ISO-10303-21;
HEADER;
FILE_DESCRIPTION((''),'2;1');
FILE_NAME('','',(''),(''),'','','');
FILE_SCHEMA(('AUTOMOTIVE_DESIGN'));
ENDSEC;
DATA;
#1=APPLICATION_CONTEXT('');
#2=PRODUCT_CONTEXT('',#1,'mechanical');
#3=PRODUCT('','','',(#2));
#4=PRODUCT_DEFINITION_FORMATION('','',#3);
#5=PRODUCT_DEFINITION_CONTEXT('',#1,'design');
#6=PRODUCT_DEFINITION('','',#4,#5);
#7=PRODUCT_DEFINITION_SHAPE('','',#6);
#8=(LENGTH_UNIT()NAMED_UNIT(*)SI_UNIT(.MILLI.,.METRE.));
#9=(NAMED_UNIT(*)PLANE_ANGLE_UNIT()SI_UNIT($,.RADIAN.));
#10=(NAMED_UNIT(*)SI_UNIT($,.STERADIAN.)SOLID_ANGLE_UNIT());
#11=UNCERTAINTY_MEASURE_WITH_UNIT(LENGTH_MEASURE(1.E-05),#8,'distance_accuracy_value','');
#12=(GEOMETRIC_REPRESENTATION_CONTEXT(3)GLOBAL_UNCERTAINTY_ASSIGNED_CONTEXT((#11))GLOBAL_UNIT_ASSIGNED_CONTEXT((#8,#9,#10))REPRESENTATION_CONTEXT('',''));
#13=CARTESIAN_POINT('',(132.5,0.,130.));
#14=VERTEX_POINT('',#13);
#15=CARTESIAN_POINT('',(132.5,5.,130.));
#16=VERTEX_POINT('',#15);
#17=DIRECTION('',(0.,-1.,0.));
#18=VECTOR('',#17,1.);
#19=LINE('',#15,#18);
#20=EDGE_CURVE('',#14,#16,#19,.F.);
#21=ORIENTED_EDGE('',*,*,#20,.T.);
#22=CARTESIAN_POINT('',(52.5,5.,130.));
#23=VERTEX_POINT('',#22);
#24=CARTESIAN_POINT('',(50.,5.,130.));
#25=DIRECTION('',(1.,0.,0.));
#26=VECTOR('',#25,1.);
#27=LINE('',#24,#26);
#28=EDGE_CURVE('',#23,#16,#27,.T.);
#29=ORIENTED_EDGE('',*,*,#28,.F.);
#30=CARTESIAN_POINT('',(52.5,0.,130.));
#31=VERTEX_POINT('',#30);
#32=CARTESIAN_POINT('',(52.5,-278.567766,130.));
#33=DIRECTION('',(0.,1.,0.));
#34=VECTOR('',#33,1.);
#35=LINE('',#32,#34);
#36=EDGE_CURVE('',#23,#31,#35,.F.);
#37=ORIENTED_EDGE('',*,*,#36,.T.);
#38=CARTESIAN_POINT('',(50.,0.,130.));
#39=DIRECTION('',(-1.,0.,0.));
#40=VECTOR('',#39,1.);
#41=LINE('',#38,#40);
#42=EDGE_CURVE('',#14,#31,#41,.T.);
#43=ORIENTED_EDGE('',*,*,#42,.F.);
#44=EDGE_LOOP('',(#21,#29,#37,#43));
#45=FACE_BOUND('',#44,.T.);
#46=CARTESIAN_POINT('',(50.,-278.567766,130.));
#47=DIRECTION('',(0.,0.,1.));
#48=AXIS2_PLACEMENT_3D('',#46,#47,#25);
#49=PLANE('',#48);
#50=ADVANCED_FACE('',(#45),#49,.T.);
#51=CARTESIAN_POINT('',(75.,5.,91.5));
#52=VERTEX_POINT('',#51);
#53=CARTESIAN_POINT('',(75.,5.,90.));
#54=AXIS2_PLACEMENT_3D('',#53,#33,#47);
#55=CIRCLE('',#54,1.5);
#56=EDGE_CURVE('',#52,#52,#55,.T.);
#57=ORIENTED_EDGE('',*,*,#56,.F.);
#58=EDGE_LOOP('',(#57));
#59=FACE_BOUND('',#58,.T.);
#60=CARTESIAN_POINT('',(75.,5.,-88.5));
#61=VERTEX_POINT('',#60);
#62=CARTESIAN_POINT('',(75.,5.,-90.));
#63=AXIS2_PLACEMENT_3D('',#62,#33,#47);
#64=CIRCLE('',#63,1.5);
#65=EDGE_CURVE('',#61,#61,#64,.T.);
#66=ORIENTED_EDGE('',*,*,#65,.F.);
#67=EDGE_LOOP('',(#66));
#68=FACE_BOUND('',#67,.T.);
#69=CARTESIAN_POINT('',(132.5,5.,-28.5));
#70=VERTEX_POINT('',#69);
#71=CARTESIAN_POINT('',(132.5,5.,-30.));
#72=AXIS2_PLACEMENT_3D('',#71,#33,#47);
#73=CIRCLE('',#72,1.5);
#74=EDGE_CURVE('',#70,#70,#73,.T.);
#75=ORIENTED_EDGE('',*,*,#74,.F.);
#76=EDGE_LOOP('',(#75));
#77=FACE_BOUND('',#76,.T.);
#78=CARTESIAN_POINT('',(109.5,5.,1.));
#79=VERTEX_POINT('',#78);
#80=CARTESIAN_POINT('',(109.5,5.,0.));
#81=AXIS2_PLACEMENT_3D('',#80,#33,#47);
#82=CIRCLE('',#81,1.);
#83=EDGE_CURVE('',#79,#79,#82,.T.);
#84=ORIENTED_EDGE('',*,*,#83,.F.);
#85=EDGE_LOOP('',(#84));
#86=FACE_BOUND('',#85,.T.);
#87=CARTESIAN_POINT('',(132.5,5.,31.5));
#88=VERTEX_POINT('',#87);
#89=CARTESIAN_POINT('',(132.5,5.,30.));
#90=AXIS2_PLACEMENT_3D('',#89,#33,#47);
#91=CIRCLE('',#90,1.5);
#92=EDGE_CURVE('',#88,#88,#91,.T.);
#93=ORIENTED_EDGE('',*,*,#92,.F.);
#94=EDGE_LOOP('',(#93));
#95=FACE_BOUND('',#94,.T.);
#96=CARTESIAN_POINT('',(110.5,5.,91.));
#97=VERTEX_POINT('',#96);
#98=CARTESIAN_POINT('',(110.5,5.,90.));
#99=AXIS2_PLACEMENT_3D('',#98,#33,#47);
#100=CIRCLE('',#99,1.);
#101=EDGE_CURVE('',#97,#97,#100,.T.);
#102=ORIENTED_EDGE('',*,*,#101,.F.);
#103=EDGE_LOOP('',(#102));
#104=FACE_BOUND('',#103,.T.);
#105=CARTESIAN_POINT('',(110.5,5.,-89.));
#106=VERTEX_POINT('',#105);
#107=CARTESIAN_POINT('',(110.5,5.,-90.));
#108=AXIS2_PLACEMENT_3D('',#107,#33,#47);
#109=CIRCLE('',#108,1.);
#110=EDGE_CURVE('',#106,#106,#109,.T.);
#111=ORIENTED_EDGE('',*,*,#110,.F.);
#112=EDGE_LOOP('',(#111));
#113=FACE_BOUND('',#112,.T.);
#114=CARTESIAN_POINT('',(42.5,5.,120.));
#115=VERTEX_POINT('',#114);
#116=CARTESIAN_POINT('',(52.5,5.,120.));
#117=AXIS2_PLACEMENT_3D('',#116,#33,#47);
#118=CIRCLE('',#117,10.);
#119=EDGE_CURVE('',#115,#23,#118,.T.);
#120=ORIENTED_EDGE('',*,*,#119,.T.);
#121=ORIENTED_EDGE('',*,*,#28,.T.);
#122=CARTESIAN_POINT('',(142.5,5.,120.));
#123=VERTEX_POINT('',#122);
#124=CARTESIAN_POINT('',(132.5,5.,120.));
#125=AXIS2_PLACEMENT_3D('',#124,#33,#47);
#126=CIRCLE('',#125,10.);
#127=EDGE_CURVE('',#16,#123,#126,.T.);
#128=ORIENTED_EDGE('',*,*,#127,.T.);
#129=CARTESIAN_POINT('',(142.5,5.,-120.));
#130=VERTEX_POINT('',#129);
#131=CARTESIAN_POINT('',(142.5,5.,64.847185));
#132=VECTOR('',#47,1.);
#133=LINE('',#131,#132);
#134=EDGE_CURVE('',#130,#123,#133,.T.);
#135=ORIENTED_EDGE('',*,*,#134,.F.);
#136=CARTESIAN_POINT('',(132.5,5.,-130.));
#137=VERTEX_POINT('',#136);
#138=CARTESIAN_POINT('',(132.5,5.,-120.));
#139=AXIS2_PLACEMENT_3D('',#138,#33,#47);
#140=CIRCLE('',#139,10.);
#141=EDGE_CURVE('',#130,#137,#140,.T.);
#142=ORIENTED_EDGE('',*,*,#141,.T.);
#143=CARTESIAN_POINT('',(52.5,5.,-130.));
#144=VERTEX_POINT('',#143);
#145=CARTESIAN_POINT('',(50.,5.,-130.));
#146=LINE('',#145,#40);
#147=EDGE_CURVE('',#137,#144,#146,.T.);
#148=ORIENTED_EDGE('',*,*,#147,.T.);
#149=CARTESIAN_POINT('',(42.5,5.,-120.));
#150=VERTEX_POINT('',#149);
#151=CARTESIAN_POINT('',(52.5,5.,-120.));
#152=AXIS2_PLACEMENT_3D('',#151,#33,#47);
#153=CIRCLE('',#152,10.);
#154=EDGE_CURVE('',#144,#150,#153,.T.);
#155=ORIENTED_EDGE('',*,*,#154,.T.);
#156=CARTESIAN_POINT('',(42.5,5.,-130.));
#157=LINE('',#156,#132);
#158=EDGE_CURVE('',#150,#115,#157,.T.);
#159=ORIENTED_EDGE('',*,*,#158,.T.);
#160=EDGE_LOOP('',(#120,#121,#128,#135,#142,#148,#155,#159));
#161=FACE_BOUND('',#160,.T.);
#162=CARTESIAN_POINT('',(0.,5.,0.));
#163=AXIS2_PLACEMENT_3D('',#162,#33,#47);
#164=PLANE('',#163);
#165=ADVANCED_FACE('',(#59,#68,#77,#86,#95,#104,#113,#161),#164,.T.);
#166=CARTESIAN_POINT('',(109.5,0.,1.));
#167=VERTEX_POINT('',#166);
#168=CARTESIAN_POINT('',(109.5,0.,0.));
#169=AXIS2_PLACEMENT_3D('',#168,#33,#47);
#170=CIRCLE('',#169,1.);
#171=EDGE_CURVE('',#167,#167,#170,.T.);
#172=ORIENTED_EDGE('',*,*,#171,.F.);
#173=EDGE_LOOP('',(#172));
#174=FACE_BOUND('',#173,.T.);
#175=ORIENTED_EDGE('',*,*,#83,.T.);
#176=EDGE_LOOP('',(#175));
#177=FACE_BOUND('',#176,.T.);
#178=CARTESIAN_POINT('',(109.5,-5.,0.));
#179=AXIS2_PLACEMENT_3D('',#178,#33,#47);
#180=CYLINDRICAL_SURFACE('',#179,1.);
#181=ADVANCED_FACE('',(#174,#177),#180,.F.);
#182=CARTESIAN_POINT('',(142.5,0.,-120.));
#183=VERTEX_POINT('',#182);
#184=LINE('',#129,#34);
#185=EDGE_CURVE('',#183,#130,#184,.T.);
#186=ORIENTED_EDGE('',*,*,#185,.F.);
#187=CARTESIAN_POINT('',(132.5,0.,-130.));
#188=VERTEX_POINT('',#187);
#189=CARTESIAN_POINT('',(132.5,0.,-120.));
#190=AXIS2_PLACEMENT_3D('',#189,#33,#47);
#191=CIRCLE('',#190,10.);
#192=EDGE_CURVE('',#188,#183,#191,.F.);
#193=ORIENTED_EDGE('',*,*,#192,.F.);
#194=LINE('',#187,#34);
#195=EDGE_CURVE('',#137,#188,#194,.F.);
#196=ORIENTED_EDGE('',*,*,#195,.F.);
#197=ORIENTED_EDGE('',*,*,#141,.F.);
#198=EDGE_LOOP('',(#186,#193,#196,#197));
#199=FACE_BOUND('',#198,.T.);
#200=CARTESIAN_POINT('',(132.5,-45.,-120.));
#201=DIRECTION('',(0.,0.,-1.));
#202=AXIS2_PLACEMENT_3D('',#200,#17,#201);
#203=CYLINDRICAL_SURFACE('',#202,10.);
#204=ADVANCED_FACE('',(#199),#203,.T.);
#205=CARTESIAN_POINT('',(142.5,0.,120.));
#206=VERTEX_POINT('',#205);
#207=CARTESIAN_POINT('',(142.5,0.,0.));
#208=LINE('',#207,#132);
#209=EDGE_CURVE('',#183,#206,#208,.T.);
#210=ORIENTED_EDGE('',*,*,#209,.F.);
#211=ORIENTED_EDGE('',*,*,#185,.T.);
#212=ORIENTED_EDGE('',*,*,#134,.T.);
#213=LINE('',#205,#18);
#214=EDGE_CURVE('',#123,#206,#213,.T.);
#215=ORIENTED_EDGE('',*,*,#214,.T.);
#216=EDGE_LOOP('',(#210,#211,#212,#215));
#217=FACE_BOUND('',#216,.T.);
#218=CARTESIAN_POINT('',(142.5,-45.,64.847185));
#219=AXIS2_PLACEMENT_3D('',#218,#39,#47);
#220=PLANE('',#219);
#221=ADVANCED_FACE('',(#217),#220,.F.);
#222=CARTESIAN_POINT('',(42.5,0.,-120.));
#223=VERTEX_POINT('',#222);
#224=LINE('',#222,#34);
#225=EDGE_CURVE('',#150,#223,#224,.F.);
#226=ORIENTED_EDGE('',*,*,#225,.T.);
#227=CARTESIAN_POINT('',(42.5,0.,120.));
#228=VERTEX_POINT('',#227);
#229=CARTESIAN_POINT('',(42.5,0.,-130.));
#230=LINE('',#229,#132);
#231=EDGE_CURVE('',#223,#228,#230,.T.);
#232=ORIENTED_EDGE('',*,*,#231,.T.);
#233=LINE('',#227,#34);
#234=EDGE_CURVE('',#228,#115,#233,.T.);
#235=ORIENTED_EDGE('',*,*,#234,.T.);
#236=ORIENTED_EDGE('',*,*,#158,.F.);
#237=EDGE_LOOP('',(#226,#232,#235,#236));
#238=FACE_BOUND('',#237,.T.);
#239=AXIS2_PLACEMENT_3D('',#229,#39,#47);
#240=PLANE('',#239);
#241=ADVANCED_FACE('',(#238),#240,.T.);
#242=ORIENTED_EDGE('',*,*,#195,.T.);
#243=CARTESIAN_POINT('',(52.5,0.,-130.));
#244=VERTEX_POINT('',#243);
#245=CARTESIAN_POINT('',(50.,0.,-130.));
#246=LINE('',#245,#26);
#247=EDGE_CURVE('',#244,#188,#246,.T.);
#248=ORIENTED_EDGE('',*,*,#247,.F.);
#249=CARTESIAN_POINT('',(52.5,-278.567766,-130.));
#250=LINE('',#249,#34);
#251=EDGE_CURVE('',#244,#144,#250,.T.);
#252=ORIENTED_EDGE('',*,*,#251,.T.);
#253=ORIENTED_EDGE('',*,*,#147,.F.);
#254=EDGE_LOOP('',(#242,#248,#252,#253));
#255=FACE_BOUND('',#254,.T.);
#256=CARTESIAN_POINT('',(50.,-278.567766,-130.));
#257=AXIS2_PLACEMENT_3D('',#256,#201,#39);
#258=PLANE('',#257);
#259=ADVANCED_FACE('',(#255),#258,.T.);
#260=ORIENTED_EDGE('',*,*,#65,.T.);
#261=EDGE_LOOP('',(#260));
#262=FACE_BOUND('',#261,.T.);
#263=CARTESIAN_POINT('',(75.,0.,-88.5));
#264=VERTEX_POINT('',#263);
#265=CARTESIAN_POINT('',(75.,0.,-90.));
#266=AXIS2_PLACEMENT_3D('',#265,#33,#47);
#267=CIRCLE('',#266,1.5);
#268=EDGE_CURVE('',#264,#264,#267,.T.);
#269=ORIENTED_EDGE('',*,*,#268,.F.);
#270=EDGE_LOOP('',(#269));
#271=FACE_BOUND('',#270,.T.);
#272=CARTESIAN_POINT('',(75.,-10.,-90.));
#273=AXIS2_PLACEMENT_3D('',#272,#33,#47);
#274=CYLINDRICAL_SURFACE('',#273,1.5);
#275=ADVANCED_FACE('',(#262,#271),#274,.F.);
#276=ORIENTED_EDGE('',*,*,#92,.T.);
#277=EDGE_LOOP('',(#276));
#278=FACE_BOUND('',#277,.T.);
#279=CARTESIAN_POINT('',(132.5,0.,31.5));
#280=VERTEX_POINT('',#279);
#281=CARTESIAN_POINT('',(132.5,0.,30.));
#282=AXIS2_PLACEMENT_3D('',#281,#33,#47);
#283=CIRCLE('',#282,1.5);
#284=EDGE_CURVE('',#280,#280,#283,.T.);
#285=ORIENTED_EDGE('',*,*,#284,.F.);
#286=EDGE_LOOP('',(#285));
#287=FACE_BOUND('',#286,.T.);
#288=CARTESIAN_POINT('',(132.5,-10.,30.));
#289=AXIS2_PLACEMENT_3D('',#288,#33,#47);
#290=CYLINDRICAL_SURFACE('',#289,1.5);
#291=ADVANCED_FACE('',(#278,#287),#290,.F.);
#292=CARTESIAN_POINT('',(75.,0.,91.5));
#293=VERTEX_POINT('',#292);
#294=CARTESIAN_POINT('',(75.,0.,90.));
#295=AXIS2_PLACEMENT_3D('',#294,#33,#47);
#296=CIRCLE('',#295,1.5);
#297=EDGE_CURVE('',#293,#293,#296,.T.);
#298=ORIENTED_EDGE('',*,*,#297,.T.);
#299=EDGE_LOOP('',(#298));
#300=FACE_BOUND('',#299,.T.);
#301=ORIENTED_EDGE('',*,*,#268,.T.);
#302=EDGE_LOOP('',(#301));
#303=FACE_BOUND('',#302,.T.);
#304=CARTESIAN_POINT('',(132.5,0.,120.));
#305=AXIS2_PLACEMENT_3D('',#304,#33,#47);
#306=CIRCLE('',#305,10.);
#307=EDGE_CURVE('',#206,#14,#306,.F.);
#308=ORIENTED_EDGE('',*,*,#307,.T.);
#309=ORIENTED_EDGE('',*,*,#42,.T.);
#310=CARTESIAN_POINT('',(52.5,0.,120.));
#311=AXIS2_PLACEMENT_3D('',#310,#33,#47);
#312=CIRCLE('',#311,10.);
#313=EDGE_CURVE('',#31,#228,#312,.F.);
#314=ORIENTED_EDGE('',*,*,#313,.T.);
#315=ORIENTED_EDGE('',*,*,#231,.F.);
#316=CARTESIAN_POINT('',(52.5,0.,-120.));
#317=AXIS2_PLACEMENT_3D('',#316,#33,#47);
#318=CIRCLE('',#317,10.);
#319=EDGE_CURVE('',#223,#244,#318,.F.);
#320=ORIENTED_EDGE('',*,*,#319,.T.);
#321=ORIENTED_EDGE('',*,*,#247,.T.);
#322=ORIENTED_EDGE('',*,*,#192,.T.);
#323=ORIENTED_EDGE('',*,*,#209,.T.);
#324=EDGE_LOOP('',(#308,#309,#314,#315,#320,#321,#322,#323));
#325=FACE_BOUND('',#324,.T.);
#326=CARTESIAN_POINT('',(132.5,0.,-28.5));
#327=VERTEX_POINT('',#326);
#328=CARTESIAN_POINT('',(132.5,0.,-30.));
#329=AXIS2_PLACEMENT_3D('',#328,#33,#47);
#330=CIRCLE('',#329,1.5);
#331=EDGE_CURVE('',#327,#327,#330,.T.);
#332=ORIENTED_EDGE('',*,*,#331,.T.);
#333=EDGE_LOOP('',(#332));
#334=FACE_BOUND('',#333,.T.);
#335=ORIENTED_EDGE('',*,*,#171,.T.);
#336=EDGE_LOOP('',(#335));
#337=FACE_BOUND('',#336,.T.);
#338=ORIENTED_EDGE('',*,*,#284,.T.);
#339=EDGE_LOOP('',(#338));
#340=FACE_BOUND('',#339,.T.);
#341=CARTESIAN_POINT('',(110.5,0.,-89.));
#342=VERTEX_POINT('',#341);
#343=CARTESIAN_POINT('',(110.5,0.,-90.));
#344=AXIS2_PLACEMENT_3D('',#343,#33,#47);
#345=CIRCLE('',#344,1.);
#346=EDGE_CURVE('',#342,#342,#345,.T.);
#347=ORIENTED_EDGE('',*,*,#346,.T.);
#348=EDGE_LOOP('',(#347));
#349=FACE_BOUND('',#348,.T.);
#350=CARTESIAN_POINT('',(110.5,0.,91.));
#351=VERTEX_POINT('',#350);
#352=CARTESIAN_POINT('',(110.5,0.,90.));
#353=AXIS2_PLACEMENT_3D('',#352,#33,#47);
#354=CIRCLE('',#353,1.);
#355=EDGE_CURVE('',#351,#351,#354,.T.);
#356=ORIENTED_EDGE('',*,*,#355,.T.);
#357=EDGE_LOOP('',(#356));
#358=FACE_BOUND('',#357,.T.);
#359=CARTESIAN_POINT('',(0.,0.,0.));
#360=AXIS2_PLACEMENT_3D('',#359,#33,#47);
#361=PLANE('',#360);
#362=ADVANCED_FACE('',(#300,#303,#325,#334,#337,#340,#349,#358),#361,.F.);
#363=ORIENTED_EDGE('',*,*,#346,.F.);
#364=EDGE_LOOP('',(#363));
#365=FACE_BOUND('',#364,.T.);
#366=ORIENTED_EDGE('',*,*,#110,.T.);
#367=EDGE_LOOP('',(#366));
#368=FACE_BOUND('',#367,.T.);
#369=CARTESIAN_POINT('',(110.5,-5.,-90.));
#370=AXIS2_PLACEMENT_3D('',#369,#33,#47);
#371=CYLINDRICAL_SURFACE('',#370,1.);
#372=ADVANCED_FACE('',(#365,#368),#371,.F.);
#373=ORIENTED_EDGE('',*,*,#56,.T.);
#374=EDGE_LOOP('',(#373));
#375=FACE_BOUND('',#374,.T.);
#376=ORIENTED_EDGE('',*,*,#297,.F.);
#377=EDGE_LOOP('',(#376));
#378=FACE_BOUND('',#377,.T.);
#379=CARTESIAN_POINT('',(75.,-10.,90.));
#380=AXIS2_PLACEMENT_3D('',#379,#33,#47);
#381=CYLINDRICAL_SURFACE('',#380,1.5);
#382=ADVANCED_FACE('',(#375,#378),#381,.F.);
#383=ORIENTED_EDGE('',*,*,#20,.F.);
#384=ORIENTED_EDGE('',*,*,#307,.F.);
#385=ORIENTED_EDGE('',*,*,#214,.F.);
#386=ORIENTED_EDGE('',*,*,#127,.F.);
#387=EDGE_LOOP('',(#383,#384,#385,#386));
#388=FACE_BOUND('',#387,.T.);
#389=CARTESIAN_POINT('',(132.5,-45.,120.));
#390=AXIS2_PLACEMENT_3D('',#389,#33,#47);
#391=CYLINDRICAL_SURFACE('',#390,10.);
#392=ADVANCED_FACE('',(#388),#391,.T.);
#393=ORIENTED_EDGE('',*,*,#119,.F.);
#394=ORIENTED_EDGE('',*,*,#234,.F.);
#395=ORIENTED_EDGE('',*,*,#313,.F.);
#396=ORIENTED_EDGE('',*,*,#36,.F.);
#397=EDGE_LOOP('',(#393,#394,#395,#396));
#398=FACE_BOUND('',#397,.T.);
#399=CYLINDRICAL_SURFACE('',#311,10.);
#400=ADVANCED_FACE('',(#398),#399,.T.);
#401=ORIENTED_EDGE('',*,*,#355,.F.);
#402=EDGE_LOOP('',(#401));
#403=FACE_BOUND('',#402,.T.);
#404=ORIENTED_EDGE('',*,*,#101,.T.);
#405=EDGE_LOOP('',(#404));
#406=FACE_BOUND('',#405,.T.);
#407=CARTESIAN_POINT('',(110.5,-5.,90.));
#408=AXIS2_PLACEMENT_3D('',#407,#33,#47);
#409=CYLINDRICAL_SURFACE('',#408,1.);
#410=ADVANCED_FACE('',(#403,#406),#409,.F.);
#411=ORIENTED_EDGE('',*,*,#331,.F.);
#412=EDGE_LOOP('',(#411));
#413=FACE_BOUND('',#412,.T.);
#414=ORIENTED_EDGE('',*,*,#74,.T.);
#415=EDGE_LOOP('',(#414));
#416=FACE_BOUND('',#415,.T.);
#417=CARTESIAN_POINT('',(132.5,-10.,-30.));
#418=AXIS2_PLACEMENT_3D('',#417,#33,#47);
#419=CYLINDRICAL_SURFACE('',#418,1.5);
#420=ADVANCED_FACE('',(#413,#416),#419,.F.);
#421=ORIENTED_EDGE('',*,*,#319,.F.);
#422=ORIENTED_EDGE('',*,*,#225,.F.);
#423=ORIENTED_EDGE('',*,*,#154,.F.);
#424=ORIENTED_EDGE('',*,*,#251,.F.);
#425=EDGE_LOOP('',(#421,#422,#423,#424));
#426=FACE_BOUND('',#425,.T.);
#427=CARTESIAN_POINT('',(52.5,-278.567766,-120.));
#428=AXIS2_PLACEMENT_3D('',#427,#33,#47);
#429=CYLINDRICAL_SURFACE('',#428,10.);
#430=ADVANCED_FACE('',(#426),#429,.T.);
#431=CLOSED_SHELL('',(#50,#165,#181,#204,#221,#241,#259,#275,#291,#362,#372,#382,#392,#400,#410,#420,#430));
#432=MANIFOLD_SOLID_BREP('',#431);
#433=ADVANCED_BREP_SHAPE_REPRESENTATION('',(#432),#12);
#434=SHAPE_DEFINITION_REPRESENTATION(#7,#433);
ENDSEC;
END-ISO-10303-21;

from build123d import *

# Parameters (mm, degrees)
SKETCH_1_W          = 300
SKETCH_1_H          = 200
EXTRUDE_1_DEPTH     = 5
EXTRUDE_2_DEPTH     = 5
SKETCH_6_W          = 200
SKETCH_6_H          = 200
CUT_EXTRUDE_4_DEPTH = 35
CUT_EXTRUDE_5_DEPTH = 50
SKETCH_8_W          = 100
SKETCH_8_H          = 260
EXTRUDE_3_DEPTH     = 5
SKETCH_9_R          = 1.5
CUT_EXTRUDE_6_DEPTH = 15
SKETCH_10_R         = 1.5
CUT_EXTRUDE_7_DEPTH = 15
SKETCH_11_R         = 1
CUT_EXTRUDE_8_DEPTH = 10
FILLET_5_R          = 10


with BuildPart() as part:
    # 草图1 → 凸台-拉伸1 (new body)
    with BuildSketch(Plane(origin=(0, 0, 0), x_dir=(1, 0, 0), z_dir=(0, 1, 0))):
        Rectangle(SKETCH_1_W, SKETCH_1_H)
    extrude(amount=EXTRUDE_1_DEPTH)

    # 草图5 → 凸台-拉伸2 (add)
    with BuildSketch(Plane(origin=(0, 5, 0), x_dir=(1, 0, 0), z_dir=(0, 1, 0))):
        Polygon((50, 100), (50, -100), (50, -130), (150, -130), (150, -100), (150, 100), (150, 130), (50, 130), align=None)
    extrude(amount=-EXTRUDE_2_DEPTH)

    # 草图6 → 切除-拉伸4 (cut)
    with BuildSketch(Plane(origin=(0, 5, 0), x_dir=(1, 0, 0), z_dir=(0, 1, 0))):
        with Locations((-50, 0)):
            Rectangle(SKETCH_6_W, SKETCH_6_H)
    extrude(amount=-CUT_EXTRUDE_4_DEPTH, mode=Mode.SUBTRACT)

    # 草图7 → 切除-拉伸5 (cut)
    with BuildSketch(Plane(origin=(0, 5, 0), x_dir=(1, 0, 0), z_dir=(0, 1, 0))):
        Polygon((142.5, -64.847184809), (142.5, -158.601088014), (197.194556245, -158.601088014), (197.194556245, 177.556552237), (142.5, 177.556552237), align=None)
    extrude(amount=-CUT_EXTRUDE_5_DEPTH, mode=Mode.SUBTRACT)

    # 草图8 → 凸台-拉伸3 (add)
    with BuildSketch(Plane(origin=(0, 5, 0), x_dir=(1, 0, 0), z_dir=(0, 1, 0))):
        with Locations((92.5, 0)):
            Rectangle(SKETCH_8_W, SKETCH_8_H)
    extrude(amount=-EXTRUDE_3_DEPTH)

    # 草图9 → 切除-拉伸6 (cut)
    with BuildSketch(Plane(origin=(0, 5, 0), x_dir=(1, 0, 0), z_dir=(0, 1, 0))):
        with Locations(Location((132.5, 30, 0), (0, 0, 270))):
            Circle(SKETCH_9_R)
        with Locations(Location((132.5, -30, 0), (0, 0, 270))):
            Circle(SKETCH_9_R)
    extrude(amount=-CUT_EXTRUDE_6_DEPTH, mode=Mode.SUBTRACT)

    # 草图10 → 切除-拉伸7 (cut)
    with BuildSketch(Plane(origin=(0, 5, 0), x_dir=(1, 0, 0), z_dir=(0, 1, 0))):
        with Locations(Location((75, 90, 0), (0, 0, 270))):
            Circle(SKETCH_10_R)
        with Locations(Location((75, -90, 0), (0, 0, 270))):
            Circle(SKETCH_10_R)
    extrude(amount=-CUT_EXTRUDE_7_DEPTH, mode=Mode.SUBTRACT)

    # 草图11 → 切除-拉伸8 (cut)
    with BuildSketch(Plane(origin=(0, 5, 0), x_dir=(1, 0, 0), z_dir=(0, 1, 0))):
        with Locations(Location((110.5, 90, 0), (0, 0, 270))):
            Circle(SKETCH_11_R)
        with Locations(Location((109.5, 0, 0), (0, 0, 270))):
            Circle(SKETCH_11_R)
        with Locations(Location((110.5, -90, 0), (0, 0, 270))):
            Circle(SKETCH_11_R)
    extrude(amount=-CUT_EXTRUDE_8_DEPTH, mode=Mode.SUBTRACT)

    # 圆角5
    fillet_5_edges = [part.edges().sort_by_distance(p)[0] for p in [
        (142.5, 2.5, -130),
        (142.5, 2.5, 130),
        (42.5, 2.5, 130),
        (42.5, 2.5, -130),
    ]]
    fillet(fillet_5_edges, radius=FILLET_5_R)


solid = part.part
